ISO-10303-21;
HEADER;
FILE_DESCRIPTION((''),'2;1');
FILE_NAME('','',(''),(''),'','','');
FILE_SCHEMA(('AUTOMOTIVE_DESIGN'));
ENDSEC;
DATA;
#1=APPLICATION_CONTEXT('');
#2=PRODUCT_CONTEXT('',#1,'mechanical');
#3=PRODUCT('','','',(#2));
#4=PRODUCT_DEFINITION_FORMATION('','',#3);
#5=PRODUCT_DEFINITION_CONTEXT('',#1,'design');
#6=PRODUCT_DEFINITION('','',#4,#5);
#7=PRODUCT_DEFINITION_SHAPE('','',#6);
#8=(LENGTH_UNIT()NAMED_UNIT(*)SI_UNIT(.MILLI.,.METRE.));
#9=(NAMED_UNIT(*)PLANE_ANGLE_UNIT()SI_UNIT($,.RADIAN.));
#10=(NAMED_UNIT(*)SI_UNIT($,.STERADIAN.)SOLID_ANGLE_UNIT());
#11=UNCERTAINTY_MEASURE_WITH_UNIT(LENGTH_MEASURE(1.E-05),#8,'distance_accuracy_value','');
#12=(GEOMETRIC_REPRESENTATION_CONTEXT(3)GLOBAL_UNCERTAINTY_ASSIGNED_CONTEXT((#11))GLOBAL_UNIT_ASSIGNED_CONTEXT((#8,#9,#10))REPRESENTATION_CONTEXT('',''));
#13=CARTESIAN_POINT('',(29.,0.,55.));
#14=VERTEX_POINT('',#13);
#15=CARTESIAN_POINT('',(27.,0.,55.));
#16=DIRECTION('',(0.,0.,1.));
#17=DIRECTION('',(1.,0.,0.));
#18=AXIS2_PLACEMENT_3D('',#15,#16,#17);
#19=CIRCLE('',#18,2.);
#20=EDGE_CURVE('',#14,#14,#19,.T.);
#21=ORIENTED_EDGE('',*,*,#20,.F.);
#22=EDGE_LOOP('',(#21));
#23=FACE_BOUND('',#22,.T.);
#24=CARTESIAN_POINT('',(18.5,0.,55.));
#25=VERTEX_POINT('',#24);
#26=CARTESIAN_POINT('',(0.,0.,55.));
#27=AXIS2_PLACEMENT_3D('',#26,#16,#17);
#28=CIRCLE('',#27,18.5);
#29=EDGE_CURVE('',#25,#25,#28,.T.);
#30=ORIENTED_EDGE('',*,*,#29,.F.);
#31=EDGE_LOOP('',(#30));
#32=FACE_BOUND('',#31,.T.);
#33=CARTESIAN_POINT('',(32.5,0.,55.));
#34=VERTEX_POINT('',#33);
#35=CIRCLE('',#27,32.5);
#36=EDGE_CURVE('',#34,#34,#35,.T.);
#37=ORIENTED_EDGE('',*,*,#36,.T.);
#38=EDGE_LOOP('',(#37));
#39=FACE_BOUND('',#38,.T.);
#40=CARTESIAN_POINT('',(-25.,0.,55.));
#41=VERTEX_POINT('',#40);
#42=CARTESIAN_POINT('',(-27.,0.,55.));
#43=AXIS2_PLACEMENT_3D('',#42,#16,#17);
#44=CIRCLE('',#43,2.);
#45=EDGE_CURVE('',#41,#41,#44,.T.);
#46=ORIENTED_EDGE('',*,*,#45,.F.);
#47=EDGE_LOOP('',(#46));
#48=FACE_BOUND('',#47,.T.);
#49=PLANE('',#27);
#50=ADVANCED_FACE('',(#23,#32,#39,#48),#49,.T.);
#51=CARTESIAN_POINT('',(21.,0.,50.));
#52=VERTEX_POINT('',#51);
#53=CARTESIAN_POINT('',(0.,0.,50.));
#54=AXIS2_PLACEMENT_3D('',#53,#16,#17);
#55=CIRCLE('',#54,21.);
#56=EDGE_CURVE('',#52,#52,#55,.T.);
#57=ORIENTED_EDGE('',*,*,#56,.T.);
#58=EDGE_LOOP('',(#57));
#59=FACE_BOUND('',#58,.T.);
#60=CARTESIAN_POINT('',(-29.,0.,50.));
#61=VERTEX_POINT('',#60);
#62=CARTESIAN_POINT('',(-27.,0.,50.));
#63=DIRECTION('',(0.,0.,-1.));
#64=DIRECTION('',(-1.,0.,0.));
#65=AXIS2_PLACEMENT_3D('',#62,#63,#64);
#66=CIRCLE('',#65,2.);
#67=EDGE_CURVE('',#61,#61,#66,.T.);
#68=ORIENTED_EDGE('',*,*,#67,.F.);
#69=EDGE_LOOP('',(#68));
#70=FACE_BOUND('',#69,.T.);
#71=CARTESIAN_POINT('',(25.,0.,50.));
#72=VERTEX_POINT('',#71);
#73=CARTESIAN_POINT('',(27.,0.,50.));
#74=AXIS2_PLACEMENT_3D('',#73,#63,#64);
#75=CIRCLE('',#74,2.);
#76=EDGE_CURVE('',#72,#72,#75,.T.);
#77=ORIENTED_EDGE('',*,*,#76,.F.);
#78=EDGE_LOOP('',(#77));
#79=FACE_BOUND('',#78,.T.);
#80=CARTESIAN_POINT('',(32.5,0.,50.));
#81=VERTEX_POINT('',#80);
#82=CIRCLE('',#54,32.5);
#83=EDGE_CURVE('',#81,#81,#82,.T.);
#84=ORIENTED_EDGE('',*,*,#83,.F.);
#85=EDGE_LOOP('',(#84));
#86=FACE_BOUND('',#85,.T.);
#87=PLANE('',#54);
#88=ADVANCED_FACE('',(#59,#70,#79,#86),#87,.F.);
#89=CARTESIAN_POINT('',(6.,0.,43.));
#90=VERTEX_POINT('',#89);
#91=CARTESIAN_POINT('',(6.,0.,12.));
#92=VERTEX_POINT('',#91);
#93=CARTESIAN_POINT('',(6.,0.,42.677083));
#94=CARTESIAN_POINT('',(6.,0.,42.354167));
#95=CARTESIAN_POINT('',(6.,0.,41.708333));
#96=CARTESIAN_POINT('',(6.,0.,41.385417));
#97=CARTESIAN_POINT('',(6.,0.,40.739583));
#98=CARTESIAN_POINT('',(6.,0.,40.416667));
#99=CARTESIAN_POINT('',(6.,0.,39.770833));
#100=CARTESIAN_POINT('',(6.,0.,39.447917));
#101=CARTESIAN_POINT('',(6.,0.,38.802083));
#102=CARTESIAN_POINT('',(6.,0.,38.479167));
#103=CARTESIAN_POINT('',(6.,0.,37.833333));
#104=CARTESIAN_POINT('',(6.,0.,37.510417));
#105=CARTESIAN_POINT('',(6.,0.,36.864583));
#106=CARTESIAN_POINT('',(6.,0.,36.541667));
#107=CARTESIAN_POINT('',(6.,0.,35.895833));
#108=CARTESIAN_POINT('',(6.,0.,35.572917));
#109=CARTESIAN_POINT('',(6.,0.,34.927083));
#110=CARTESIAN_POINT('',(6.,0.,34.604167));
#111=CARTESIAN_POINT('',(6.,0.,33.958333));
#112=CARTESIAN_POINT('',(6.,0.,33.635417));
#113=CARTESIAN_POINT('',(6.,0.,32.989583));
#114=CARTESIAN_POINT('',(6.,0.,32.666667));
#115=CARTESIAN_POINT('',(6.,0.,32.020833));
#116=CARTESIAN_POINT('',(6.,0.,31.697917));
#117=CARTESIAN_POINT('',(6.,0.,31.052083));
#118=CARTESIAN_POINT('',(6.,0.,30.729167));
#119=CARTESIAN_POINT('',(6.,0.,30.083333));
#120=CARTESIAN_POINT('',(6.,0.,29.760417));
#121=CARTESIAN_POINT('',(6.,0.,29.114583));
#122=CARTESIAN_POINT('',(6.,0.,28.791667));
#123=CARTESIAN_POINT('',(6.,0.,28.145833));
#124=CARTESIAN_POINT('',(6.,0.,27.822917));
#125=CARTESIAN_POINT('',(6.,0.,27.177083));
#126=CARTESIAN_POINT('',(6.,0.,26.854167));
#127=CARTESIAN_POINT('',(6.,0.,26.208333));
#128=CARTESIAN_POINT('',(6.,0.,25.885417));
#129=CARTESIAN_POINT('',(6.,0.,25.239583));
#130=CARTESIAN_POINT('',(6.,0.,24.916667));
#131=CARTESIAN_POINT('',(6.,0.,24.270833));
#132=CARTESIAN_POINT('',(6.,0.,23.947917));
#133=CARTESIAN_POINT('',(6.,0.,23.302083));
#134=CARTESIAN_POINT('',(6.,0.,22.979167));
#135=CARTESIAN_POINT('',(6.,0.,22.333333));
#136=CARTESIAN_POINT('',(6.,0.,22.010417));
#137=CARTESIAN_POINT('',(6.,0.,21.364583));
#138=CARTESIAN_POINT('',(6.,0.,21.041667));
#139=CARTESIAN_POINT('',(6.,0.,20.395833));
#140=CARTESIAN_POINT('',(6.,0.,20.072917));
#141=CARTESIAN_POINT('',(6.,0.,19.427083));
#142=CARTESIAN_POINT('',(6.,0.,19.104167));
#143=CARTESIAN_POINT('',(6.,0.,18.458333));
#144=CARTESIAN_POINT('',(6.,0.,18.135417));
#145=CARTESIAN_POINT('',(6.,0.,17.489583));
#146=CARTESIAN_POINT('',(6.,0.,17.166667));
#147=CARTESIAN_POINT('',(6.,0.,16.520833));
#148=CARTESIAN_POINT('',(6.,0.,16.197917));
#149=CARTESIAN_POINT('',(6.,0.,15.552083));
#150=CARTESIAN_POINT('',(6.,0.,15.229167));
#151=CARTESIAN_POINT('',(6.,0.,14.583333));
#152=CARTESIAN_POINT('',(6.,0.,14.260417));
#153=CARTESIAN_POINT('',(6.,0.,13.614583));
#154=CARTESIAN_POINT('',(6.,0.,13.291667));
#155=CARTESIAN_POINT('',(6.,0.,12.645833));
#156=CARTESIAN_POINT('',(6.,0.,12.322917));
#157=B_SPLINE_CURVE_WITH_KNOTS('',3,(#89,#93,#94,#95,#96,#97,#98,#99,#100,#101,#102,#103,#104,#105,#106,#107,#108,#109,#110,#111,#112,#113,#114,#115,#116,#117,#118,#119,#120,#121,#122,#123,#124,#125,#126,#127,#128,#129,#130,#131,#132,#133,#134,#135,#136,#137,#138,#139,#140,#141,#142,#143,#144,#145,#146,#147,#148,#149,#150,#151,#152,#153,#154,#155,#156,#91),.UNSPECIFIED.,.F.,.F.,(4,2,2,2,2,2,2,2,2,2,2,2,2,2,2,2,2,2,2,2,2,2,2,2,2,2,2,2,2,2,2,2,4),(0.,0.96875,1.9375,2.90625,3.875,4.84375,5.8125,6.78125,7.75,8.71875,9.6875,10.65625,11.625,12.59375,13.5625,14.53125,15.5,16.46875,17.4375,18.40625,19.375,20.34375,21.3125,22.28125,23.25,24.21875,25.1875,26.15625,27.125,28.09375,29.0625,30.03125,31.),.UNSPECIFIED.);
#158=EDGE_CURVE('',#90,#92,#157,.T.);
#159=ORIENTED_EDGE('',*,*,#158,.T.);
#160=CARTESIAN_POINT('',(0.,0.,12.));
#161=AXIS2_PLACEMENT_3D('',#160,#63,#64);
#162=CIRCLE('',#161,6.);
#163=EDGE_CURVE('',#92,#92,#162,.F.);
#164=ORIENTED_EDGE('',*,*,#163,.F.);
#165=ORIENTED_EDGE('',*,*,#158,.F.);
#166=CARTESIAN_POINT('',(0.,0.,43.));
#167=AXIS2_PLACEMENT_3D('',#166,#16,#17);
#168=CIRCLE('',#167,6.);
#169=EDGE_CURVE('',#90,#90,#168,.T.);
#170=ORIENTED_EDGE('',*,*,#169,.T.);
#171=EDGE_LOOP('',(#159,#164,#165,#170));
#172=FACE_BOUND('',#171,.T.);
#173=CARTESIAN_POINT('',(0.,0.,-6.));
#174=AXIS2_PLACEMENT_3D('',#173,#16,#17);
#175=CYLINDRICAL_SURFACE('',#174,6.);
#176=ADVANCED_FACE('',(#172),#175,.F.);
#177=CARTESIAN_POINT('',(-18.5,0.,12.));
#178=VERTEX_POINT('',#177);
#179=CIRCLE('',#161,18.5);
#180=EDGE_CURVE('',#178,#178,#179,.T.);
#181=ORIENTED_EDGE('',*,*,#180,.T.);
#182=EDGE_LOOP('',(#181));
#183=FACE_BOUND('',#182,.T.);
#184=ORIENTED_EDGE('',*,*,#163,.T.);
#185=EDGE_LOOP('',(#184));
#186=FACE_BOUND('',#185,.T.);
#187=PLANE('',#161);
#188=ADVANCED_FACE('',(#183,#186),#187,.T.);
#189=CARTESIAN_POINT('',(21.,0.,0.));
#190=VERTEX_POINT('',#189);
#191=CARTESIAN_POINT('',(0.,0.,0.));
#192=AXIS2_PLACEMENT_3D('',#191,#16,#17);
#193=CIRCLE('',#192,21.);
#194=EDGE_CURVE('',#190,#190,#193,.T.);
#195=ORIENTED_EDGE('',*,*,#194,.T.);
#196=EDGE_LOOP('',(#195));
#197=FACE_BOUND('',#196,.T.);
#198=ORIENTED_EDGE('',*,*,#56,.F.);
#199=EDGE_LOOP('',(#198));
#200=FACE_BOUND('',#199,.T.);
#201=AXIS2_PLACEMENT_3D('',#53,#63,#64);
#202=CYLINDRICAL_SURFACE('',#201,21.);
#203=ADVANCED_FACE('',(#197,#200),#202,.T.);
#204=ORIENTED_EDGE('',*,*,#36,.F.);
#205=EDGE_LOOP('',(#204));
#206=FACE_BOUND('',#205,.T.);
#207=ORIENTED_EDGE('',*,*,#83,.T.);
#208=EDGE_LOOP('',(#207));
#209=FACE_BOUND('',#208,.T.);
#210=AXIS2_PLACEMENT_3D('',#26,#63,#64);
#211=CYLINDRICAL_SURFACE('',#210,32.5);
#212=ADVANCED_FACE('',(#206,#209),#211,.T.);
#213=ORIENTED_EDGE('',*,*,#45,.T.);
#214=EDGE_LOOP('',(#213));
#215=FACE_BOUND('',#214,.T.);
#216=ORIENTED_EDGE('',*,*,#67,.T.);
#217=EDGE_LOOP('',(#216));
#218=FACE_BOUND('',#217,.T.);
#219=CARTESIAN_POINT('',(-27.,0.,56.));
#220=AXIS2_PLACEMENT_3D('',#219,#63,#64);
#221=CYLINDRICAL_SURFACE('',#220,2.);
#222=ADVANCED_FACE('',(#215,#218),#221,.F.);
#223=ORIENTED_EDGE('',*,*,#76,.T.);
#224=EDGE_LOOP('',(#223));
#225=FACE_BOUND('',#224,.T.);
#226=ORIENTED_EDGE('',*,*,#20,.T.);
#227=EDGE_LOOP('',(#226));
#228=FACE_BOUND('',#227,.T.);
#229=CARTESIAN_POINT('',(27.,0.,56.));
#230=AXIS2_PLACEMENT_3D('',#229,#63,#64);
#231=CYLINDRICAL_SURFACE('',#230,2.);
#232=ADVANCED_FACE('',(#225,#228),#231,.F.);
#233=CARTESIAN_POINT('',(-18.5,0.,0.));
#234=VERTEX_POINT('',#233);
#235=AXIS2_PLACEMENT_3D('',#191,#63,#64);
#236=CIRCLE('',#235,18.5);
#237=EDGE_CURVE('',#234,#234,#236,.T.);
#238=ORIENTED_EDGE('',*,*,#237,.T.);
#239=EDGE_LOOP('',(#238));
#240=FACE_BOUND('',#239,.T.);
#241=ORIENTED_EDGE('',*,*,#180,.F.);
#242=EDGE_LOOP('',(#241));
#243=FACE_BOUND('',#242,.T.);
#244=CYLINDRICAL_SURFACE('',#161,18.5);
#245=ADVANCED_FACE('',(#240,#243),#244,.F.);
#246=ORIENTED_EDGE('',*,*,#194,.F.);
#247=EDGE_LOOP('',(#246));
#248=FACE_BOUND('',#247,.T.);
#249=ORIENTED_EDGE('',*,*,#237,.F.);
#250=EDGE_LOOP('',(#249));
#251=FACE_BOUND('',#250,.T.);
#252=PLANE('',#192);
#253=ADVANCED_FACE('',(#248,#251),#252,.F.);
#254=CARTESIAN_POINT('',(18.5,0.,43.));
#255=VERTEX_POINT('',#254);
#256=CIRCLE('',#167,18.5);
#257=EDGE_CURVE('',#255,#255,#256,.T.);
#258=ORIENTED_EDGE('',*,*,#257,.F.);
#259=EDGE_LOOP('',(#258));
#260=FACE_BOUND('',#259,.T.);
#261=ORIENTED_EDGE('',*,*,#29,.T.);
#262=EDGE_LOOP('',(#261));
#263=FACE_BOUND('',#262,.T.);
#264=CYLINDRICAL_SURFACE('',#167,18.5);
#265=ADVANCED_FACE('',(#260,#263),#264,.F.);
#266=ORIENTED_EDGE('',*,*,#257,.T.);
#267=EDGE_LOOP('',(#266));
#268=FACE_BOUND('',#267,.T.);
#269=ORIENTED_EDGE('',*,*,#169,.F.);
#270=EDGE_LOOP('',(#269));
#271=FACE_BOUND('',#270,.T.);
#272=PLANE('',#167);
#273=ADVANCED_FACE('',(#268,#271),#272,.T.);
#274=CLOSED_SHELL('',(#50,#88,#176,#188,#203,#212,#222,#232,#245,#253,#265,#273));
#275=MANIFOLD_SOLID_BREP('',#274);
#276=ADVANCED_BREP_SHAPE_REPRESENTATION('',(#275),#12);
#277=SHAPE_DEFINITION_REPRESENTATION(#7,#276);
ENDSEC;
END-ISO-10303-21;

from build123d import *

# Parameters (mm, degrees)
ESQUISSE1_R             = 21
BOSS_EXTRU_1_DEPTH      = 50
ESQUISSE2_R             = 32.5
BOSS_EXTRU_2_DEPTH      = 5
ESQUISSE3_R             = 18.5
ENL_V_MAT_EXTRU_1_DEPTH = 12
ESQUISSE4_R             = 6
ENL_V_MAT_EXTRU_2_DEPTH = 49
ENL_V_START             = -12
ESQUISSE5_R             = 18.5
ENL_V_MAT_EXTRU_3_DEPTH = 12
ESQUISSE6_R             = 2
ENL_V_MAT_EXTRU_4_DEPTH = 6


with BuildPart() as part:
    # Esquisse1 → Boss.-Extru.1 (new body)
    with BuildSketch(Plane.XY):
        Circle(ESQUISSE1_R)
    extrude(amount=BOSS_EXTRU_1_DEPTH)

    # Esquisse2 → Boss.-Extru.2 (add)
    with BuildSketch(Plane.XY.offset(50)):
        Circle(ESQUISSE2_R)
    extrude(amount=BOSS_EXTRU_2_DEPTH)

    # Esquisse3 → Enlèv. mat.-Extru.1 (cut)
    with BuildSketch(Plane.XY.offset(55)):
        Circle(ESQUISSE3_R)
    extrude(amount=-ENL_V_MAT_EXTRU_1_DEPTH, mode=Mode.SUBTRACT)

    # Esquisse4 → Enlèv. mat.-Extru.2 (cut)
    with BuildSketch(Plane.XY.offset(43)):
        Circle(ESQUISSE4_R)
    extrude(amount=-ENL_V_MAT_EXTRU_2_DEPTH, mode=Mode.SUBTRACT)

    # Esquisse5 → Enlèv. mat.-Extru.3 (cut)
    with BuildSketch(Plane(origin=(0, 0, 0), x_dir=(-1, 0, 0), z_dir=(0, 0, -1)).offset(ENL_V_START)):
        with Locations(Location((0, 0, 0), (0, 0, 180))):
            Circle(ESQUISSE5_R)
    extrude(amount=ENL_V_MAT_EXTRU_3_DEPTH, mode=Mode.SUBTRACT)

    # Esquisse6 → Enlèv. mat.-Extru.4 (cut)
    with BuildSketch(Plane(origin=(0, 0, 50), x_dir=(-1, 0, 0), z_dir=(0, 0, -1))):
        with Locations((27, 0)):
            Circle(ESQUISSE6_R)
        with Locations((-27, 0)):
            Circle(ESQUISSE6_R)
    extrude(amount=-ENL_V_MAT_EXTRU_4_DEPTH, mode=Mode.SUBTRACT)


solid = part.part
